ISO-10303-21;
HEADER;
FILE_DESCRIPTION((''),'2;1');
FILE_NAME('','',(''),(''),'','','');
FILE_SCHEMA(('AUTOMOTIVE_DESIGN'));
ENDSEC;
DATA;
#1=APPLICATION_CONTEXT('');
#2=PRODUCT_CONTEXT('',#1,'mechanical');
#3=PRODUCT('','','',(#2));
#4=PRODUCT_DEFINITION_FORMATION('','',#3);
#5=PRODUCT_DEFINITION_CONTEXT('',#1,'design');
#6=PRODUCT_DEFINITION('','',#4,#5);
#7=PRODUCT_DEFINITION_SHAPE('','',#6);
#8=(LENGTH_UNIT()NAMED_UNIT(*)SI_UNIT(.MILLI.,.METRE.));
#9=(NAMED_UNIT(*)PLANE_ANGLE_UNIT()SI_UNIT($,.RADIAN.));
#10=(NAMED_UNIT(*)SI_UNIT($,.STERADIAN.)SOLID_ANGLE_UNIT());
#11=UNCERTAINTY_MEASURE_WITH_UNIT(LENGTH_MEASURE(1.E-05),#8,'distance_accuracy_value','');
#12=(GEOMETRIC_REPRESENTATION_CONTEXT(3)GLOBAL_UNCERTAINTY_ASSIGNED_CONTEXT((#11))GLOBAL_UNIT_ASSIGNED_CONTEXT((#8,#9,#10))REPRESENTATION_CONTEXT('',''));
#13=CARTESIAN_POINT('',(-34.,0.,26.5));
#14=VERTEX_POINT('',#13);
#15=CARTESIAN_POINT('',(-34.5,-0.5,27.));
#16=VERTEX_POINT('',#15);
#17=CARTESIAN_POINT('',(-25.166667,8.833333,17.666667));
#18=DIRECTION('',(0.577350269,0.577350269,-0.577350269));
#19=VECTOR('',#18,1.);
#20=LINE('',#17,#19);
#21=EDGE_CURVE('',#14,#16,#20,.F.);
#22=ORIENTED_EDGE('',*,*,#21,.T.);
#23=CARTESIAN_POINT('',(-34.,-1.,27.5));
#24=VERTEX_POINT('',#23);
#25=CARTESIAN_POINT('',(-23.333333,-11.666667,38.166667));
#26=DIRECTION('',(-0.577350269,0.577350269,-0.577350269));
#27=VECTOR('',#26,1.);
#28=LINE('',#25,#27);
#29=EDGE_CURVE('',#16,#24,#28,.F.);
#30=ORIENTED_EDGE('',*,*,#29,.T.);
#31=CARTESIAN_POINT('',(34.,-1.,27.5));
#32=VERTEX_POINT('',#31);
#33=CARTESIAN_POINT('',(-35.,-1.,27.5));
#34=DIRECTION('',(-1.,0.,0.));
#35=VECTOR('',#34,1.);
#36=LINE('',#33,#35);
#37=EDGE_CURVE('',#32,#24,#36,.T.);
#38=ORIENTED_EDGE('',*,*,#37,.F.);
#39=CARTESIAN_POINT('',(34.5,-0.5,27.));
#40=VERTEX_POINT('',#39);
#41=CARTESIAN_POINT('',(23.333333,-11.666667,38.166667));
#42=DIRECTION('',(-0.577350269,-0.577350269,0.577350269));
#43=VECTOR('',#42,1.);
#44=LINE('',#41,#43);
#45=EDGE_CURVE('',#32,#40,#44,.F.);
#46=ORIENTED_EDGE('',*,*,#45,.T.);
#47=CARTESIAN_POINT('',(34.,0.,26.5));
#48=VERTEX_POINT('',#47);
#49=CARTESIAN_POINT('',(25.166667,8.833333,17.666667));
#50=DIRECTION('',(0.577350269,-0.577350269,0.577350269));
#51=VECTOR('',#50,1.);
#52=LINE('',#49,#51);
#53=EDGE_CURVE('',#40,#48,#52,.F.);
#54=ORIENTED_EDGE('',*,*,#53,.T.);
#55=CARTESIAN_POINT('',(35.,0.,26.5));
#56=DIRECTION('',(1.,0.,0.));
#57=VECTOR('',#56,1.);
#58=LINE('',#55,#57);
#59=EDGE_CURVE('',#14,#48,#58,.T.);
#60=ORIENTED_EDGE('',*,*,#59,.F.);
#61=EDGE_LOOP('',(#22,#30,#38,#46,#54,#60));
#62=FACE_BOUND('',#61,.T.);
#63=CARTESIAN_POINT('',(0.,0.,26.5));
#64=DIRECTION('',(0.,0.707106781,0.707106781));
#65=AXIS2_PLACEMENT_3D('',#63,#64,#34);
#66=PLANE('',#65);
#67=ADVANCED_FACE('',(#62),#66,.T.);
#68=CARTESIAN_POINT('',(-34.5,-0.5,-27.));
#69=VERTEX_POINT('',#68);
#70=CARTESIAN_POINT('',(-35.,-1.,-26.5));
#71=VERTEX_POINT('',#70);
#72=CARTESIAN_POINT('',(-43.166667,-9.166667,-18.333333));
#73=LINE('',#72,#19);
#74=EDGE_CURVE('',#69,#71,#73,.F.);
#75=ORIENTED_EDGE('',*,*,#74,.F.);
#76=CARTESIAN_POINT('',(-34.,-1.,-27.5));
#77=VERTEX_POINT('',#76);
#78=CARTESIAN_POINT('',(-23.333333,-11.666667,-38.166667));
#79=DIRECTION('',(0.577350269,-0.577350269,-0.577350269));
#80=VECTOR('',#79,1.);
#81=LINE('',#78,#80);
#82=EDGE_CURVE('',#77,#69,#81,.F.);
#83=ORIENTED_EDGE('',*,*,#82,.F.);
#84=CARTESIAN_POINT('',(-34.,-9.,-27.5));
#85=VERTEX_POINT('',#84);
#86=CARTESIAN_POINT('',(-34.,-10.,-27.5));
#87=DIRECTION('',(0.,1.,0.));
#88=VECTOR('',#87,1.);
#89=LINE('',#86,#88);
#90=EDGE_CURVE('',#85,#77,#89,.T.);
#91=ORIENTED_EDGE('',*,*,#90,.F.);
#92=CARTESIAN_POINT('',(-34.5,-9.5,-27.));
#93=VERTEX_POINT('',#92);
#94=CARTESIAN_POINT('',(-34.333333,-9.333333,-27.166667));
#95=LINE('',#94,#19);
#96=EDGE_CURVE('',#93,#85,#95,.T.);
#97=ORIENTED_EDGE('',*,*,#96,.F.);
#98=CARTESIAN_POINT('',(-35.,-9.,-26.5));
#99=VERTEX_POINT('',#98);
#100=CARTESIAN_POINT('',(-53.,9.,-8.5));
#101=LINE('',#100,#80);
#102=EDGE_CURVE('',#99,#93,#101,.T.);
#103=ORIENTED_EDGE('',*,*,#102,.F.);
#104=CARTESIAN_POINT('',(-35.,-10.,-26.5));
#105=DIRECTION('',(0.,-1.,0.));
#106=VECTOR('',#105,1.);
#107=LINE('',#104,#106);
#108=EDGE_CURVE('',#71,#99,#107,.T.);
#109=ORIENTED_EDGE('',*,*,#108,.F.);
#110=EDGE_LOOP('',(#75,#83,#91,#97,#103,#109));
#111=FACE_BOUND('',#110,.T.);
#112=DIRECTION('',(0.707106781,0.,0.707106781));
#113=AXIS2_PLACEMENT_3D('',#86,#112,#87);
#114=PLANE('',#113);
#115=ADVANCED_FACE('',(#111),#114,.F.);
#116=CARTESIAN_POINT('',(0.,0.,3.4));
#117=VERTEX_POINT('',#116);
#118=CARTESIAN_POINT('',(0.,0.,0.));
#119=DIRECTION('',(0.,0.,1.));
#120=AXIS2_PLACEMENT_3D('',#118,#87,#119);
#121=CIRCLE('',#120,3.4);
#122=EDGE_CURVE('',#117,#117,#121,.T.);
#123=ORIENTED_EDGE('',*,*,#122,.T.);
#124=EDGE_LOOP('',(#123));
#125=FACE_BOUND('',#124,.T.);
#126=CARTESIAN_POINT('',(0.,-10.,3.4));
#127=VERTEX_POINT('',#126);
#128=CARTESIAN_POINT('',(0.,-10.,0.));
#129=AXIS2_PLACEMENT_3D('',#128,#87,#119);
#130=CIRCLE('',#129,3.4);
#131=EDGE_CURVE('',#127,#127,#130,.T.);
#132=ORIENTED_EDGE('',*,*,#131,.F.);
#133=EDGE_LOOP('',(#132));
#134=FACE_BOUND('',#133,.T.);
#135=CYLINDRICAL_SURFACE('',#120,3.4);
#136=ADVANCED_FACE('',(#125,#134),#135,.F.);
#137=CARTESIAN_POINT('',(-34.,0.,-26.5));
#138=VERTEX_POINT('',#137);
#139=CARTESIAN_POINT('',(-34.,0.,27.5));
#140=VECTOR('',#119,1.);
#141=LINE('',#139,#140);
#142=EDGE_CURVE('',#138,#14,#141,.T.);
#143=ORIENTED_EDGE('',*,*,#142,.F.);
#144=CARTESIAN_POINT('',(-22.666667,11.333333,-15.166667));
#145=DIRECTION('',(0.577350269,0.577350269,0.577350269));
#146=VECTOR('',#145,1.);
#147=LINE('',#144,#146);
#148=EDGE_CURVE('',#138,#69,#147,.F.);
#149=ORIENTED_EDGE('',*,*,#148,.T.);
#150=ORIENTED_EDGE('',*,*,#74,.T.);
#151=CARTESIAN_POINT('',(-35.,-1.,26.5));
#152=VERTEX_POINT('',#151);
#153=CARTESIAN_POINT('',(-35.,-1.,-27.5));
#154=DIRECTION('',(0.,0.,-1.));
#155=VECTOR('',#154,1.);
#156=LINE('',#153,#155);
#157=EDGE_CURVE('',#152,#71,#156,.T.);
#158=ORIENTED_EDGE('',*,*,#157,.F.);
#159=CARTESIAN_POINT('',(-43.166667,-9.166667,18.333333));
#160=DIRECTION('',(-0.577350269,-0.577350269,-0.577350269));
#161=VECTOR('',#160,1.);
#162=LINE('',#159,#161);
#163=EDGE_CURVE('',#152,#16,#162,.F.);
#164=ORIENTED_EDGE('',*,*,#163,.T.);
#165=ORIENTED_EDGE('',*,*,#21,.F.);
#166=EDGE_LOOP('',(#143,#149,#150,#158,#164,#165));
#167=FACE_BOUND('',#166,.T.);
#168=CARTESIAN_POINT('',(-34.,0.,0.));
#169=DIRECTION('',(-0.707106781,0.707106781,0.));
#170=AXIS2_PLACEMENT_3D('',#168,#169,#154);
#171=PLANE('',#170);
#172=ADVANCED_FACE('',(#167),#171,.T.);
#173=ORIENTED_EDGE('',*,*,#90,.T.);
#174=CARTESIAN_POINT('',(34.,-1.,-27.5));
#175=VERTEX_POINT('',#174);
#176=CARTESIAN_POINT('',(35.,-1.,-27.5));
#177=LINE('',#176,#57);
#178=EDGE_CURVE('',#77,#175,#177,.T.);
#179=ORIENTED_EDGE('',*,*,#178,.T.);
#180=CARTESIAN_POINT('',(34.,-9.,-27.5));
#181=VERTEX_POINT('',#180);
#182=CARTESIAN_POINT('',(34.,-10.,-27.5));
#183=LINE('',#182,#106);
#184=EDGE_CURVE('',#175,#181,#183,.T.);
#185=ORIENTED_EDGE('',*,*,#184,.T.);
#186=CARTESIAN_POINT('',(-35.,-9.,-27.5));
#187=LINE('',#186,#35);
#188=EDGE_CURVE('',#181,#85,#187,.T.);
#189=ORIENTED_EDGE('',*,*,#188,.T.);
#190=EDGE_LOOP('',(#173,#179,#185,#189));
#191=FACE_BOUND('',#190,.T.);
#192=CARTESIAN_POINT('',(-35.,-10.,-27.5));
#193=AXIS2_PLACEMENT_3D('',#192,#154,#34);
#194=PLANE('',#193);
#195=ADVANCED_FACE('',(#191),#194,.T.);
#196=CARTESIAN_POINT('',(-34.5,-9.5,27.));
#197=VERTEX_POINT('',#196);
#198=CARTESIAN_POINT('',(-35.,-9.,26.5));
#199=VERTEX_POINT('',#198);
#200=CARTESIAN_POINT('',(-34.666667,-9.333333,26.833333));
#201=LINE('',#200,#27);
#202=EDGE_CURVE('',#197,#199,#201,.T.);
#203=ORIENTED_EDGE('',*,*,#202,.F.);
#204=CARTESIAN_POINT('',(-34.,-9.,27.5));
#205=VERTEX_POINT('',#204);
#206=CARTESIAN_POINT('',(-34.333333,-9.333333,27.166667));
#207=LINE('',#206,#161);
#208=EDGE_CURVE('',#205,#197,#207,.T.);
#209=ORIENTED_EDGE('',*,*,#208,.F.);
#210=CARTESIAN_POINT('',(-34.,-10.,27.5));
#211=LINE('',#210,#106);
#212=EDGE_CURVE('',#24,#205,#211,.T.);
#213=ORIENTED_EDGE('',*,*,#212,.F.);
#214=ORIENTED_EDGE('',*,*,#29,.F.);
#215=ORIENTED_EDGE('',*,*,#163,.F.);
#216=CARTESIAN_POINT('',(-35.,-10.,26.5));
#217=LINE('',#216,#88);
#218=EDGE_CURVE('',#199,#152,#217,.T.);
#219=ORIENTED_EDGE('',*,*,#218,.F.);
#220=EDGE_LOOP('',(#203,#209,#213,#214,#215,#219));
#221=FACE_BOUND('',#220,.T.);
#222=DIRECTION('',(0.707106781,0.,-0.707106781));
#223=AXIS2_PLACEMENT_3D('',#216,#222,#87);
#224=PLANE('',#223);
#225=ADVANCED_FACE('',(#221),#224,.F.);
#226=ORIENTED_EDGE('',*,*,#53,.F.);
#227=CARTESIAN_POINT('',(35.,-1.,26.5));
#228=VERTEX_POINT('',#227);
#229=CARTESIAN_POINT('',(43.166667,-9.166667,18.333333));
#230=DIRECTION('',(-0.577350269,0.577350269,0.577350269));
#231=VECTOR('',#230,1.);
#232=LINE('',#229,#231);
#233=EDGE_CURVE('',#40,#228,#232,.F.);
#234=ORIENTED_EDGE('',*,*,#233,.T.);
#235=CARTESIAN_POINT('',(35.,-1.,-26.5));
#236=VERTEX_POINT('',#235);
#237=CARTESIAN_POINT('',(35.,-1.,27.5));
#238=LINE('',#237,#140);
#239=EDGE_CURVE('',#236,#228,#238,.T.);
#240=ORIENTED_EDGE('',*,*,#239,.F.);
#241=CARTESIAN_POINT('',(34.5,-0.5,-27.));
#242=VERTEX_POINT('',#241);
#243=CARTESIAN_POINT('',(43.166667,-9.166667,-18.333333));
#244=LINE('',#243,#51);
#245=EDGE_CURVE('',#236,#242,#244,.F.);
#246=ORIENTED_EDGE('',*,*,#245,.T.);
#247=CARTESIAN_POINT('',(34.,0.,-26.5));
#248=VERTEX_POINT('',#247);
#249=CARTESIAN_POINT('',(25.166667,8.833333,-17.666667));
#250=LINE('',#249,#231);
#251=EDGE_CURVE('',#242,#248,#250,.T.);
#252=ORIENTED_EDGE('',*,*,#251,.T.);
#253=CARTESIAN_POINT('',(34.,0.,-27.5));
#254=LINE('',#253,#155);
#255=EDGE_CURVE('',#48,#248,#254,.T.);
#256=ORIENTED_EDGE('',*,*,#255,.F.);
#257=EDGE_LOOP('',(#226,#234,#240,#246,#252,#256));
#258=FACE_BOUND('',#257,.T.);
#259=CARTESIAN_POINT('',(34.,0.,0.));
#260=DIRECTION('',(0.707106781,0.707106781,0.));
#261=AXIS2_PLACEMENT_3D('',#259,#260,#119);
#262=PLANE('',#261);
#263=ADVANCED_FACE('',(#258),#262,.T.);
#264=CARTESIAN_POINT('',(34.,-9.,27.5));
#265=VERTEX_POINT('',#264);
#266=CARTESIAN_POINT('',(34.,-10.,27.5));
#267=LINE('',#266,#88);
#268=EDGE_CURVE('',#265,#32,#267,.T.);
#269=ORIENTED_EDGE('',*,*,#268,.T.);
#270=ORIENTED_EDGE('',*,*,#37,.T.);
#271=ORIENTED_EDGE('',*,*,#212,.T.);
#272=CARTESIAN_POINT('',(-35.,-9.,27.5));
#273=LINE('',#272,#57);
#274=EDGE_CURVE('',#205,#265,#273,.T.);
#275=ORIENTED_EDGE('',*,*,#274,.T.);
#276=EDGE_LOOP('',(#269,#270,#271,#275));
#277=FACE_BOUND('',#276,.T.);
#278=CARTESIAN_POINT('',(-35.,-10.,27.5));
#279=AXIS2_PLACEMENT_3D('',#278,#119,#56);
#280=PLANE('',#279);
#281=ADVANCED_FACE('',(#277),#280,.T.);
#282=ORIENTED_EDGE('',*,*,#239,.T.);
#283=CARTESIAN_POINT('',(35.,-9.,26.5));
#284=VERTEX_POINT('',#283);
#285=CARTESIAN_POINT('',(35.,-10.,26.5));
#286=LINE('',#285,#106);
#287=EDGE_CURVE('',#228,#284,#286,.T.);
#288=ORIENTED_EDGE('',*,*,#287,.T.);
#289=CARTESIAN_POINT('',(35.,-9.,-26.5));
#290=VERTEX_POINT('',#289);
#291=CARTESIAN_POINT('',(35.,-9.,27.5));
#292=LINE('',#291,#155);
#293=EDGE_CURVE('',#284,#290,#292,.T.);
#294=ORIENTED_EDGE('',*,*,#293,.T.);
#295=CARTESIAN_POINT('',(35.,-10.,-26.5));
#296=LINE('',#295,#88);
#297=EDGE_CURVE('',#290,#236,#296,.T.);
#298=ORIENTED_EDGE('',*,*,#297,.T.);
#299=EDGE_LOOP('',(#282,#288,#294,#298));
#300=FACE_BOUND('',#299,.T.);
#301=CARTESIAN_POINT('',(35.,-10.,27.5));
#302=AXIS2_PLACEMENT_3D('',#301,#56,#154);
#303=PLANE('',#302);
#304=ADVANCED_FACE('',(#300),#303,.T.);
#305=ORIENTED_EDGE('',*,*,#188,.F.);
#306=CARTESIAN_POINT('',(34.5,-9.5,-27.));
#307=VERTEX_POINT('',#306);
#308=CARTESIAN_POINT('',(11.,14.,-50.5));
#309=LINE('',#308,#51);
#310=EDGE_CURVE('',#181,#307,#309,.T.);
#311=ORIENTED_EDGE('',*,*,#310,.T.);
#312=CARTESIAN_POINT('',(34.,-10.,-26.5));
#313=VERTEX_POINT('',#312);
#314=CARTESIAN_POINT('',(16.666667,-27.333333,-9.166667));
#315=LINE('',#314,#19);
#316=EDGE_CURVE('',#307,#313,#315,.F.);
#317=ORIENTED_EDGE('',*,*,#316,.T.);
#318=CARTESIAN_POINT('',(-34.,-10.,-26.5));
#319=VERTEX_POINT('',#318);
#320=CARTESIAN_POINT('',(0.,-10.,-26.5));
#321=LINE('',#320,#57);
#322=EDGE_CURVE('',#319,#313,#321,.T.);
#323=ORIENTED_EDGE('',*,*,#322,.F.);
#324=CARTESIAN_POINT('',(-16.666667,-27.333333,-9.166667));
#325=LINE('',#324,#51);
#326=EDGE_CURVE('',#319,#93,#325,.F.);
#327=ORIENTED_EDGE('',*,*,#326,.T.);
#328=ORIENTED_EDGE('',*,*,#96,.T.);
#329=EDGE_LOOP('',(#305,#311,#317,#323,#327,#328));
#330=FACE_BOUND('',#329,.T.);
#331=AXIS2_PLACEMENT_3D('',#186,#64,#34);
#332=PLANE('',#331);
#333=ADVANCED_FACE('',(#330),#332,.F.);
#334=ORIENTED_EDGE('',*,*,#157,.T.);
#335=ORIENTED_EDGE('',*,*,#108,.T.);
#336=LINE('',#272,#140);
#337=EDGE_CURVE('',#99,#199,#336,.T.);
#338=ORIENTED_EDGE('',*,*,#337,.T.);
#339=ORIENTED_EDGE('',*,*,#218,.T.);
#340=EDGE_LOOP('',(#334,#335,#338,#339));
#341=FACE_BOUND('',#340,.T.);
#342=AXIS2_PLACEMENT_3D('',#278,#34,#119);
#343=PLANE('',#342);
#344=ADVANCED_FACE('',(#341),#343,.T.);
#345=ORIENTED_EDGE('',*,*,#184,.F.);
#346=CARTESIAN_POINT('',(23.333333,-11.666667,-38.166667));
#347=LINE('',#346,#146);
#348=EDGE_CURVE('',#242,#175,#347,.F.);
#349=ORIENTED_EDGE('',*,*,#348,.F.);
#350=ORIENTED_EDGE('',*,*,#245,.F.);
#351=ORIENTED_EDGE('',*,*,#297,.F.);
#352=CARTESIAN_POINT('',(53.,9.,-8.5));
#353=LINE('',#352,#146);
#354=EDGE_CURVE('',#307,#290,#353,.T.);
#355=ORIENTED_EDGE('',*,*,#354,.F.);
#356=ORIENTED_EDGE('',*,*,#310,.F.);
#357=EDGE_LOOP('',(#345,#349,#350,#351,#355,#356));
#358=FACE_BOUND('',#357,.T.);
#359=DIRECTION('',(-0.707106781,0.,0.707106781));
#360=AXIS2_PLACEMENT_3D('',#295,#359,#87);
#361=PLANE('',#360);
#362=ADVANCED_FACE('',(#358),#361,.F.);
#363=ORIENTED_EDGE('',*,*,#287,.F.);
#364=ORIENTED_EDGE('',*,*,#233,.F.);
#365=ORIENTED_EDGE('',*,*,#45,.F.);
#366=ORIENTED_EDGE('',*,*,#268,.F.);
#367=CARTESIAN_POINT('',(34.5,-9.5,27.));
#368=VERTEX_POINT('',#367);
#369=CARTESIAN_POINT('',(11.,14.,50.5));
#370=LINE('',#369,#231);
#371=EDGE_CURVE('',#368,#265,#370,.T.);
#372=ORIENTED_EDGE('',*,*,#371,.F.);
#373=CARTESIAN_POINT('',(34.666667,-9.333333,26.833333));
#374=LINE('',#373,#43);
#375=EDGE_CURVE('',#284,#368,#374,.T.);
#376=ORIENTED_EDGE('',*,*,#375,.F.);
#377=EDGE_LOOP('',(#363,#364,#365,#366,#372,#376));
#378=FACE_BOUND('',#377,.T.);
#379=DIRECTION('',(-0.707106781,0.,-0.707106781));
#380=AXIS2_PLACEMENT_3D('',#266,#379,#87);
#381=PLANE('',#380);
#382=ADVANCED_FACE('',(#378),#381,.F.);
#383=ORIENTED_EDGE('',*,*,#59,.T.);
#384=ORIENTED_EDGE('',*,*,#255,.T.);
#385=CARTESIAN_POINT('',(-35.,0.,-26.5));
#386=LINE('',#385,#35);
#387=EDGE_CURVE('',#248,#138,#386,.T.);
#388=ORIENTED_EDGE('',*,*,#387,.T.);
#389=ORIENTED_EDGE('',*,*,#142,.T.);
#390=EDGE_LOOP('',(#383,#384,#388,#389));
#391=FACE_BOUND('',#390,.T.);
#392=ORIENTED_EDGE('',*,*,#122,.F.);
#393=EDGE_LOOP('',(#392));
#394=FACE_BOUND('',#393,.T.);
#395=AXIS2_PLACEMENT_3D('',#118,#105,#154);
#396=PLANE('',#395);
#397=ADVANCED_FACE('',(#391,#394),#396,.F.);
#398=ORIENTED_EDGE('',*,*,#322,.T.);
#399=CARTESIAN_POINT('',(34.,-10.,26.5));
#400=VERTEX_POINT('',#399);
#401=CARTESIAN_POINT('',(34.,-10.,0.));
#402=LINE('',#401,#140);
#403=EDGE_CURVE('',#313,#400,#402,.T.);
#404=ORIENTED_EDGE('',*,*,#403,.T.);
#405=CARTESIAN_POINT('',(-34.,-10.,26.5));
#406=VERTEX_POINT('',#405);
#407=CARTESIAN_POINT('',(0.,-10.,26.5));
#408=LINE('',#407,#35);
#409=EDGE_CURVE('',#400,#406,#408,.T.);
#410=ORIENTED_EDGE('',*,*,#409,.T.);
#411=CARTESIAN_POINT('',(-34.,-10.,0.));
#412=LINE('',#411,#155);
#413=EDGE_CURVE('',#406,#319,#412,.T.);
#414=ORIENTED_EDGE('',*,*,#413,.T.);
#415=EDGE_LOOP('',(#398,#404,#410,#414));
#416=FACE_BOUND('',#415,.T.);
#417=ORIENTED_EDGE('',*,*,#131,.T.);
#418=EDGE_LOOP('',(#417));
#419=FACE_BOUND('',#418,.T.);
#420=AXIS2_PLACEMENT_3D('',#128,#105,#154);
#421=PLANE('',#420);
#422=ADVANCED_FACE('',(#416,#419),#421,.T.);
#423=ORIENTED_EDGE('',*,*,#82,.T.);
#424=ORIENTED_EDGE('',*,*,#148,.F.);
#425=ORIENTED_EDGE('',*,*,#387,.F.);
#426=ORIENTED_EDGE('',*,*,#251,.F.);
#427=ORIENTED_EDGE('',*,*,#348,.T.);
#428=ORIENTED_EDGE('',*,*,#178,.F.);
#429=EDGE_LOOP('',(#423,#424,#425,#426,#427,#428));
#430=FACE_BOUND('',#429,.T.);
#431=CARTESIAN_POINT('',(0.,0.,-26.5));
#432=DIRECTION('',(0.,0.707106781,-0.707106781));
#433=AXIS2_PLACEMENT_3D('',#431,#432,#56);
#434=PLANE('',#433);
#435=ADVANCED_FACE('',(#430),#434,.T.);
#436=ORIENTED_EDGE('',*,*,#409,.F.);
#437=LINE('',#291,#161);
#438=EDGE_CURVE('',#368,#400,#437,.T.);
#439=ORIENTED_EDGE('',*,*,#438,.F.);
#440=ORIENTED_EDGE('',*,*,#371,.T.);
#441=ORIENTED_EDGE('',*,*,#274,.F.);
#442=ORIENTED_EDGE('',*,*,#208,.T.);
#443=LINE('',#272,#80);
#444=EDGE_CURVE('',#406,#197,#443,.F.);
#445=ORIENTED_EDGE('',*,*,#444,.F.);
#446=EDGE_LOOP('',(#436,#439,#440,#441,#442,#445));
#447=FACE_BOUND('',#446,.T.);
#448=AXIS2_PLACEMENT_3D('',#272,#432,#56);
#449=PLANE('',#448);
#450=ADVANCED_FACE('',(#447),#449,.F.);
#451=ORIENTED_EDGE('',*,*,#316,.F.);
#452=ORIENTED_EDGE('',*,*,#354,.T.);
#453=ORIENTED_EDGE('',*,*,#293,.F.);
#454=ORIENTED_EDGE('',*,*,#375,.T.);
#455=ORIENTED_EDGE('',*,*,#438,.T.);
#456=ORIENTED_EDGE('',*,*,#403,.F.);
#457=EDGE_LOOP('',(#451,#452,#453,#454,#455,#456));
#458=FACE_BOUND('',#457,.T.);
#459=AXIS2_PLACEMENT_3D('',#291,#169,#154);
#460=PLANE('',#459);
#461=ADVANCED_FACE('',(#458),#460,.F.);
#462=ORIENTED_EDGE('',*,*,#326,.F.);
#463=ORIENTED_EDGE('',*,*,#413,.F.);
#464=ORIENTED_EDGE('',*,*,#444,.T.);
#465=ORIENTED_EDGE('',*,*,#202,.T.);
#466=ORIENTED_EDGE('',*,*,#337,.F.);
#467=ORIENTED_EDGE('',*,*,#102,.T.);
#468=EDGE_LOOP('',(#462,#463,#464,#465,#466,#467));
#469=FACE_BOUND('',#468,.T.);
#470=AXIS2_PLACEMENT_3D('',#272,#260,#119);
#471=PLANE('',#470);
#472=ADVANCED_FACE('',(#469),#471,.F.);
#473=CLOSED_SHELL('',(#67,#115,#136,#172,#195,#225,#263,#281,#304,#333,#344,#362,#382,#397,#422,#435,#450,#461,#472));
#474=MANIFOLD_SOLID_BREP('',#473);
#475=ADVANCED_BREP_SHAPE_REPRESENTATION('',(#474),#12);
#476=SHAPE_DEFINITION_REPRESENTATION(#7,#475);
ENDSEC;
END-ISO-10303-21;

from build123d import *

# Parameters (mm, degrees)
SKETCH1_W           = 70
SKETCH1_H           = 55
BOSS_EXTRUDE1_DEPTH = 10
CHAMFER1_SIZE       = 1
M8_TAPPED_HOLE1_D   = 6.8
CHAMFER3_SIZE       = 1


with BuildPart() as part:
    # Sketch1 → Boss-Extrude1 (new body)
    with BuildSketch(Plane(origin=(0, 0, 0), x_dir=(1, 0, 0), z_dir=(0, 1, 0))):
        Rectangle(SKETCH1_W, SKETCH1_H)
    extrude(amount=-BOSS_EXTRUDE1_DEPTH)

    # Chamfer1
    chamfer1_edges = [part.edges().sort_by_distance(p)[0] for p in [
        (-35, -10, 0),
        (0, -10, 27.5),
        (35, -10, 0),
        (0, 0, 27.5),
        (-35, 0, 0),
        (0, 0, -27.5),
        (35, 0, 0),
        (0, -10, -27.5),
    ]]
    chamfer(chamfer1_edges, length=CHAMFER1_SIZE)

    # M8 Tapped Hole1 (through all)
    with Locations(Plane(origin=(0, 0, 0), x_dir=(1, 0, 0), z_dir=(0, 1, 0))):
        with Locations((0, 0)):
            Hole(M8_TAPPED_HOLE1_D / 2)

    # Chamfer3
    chamfer3_edges = [part.edges().sort_by_distance(p)[0] for p in [
        (35, -5, -27.5),
        (-35, -5, -27.5),
        (-35, -5, 27.5),
        (35, -5, 27.5),
    ]]
    chamfer(chamfer3_edges, length=CHAMFER3_SIZE)


solid = part.part
